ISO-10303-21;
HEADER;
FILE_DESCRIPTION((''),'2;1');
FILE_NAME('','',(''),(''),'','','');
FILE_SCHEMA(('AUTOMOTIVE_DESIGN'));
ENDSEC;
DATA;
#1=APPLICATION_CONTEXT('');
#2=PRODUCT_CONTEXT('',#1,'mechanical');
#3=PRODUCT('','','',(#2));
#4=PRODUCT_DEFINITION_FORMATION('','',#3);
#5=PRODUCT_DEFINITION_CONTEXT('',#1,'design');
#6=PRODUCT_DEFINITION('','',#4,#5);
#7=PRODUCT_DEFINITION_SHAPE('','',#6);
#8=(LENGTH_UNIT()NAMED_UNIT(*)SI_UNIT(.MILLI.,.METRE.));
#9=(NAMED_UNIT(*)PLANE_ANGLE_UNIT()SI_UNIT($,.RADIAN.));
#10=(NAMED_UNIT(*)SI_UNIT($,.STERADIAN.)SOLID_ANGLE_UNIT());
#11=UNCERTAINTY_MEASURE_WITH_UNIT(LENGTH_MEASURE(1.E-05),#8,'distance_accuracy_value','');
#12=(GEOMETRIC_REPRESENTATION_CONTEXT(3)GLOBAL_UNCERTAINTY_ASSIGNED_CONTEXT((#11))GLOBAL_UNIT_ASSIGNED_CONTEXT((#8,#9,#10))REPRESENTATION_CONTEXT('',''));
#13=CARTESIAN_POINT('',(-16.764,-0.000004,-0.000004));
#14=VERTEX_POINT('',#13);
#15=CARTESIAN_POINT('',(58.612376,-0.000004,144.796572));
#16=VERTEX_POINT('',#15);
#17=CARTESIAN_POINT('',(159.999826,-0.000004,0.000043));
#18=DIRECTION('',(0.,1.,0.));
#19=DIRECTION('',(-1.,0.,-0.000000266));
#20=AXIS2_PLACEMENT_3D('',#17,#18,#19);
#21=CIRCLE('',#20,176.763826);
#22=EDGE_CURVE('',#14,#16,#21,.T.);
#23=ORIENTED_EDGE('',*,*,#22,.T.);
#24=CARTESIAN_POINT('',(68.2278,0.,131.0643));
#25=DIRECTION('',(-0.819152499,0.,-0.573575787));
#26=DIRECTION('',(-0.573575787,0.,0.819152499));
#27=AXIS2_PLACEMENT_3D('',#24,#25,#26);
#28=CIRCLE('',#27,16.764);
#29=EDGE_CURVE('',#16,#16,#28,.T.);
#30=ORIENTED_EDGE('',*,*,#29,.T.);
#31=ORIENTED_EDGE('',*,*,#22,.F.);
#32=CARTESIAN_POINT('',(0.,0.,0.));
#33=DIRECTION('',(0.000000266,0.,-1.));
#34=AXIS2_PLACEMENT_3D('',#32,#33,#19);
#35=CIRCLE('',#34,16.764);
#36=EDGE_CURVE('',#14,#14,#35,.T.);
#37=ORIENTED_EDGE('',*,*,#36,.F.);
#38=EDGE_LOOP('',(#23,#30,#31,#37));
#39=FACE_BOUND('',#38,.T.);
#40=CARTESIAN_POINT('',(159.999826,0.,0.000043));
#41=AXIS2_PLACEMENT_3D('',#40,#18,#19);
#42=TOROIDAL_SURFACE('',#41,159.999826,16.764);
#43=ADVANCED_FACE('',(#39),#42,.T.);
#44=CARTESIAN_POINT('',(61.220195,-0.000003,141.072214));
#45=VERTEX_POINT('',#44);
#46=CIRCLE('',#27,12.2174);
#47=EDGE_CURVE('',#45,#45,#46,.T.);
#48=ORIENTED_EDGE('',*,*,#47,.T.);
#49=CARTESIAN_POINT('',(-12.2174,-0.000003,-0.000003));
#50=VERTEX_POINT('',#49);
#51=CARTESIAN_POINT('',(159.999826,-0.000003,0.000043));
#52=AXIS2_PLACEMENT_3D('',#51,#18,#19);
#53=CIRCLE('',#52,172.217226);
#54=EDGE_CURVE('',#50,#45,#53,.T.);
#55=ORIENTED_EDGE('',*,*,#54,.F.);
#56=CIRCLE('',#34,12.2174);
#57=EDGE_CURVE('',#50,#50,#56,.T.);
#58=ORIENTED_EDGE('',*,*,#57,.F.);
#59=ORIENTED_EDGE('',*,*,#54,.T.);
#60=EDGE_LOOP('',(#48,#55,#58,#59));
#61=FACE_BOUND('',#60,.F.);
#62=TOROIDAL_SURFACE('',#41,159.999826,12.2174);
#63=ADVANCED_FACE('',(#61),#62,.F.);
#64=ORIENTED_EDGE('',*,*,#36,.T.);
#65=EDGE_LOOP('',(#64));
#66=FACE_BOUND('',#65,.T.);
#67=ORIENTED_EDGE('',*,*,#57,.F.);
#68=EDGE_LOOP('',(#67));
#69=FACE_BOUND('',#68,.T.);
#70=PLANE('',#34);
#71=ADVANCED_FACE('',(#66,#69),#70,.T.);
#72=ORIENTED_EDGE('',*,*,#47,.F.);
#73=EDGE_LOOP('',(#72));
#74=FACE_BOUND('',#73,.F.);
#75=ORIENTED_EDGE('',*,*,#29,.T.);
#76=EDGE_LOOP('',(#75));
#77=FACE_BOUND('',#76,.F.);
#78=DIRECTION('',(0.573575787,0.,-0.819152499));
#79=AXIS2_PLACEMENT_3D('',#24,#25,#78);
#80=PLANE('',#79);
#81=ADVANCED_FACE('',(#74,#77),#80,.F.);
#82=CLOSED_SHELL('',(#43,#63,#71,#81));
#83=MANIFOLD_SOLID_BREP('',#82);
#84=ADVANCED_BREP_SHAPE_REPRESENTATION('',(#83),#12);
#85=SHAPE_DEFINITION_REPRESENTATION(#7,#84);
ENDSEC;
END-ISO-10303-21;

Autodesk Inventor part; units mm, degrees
ref_plane "Start Plane" through (0, 0, 0) normal (0, 0, 1) x (1, 0, 0)
ref_plane "End Plane" through (0, 0, 153.589) normal (0, 0, 1) x (1, 0, 0)
sketch "Sketch" plane through (0, 0, 0) normal (0, 0, -1) x (-1, 0, 0)
  circle A0 centre (0, 0) radius 12.2174
  circle A1 centre (0, 0) radius 16.764
  dimension "d0" = 33.528
  dimension "d1" = 4.5466
sketch "Sketch3" plane through (0, 0, 0) normal (0, 0, 1) x (1, 0, 0)
  line L0 (0, 0) -> (10, 0)
ref_plane "Work Plane3" through (0, 0, 0) normal (0, -1, 0) x (1, 0, 0)
ref_plane "Orientation Work Plane" through (0, 0, 0) normal (0, 0, -1) x (-1, 0, 0)
sketch3d "Sweep Path"
  arc A0 (0, 0, 0) -> (68.2278, 0, 131.0643) centre (160, 0, 0) ccw
sweep "Body" add profiles "Sketch" path "Sweep Path"
sketch "Sketch4" plane through (0, 0, 0) normal (0, -1, 0) x (1, 0, 0)
  line L0 (-2, 0) -> (12, 0) projected
  line L1 (-35.6854, 153.589) -> (96.7646, 153.589) projected
  dimension "d7" = 153.589
equation "\"d0\" = G_H"
equation "\"d1\" = G_T"
equation "\"G_H\" = 33.528"
equation "\"G_T\" = 4.5466"
equation "\"G_L\" = d7"
equation "\"G_OFFSET_START\" = 0"
equation "\"G_OFFSET_END\" = 0"
equation "\"d5\" = G_OFFSET_END + B_L"
equation "\"B_L\" = 153.58897"
properties part number "ANSI - 1 x 0.179 - 6.047" material "Steel, Mild"
